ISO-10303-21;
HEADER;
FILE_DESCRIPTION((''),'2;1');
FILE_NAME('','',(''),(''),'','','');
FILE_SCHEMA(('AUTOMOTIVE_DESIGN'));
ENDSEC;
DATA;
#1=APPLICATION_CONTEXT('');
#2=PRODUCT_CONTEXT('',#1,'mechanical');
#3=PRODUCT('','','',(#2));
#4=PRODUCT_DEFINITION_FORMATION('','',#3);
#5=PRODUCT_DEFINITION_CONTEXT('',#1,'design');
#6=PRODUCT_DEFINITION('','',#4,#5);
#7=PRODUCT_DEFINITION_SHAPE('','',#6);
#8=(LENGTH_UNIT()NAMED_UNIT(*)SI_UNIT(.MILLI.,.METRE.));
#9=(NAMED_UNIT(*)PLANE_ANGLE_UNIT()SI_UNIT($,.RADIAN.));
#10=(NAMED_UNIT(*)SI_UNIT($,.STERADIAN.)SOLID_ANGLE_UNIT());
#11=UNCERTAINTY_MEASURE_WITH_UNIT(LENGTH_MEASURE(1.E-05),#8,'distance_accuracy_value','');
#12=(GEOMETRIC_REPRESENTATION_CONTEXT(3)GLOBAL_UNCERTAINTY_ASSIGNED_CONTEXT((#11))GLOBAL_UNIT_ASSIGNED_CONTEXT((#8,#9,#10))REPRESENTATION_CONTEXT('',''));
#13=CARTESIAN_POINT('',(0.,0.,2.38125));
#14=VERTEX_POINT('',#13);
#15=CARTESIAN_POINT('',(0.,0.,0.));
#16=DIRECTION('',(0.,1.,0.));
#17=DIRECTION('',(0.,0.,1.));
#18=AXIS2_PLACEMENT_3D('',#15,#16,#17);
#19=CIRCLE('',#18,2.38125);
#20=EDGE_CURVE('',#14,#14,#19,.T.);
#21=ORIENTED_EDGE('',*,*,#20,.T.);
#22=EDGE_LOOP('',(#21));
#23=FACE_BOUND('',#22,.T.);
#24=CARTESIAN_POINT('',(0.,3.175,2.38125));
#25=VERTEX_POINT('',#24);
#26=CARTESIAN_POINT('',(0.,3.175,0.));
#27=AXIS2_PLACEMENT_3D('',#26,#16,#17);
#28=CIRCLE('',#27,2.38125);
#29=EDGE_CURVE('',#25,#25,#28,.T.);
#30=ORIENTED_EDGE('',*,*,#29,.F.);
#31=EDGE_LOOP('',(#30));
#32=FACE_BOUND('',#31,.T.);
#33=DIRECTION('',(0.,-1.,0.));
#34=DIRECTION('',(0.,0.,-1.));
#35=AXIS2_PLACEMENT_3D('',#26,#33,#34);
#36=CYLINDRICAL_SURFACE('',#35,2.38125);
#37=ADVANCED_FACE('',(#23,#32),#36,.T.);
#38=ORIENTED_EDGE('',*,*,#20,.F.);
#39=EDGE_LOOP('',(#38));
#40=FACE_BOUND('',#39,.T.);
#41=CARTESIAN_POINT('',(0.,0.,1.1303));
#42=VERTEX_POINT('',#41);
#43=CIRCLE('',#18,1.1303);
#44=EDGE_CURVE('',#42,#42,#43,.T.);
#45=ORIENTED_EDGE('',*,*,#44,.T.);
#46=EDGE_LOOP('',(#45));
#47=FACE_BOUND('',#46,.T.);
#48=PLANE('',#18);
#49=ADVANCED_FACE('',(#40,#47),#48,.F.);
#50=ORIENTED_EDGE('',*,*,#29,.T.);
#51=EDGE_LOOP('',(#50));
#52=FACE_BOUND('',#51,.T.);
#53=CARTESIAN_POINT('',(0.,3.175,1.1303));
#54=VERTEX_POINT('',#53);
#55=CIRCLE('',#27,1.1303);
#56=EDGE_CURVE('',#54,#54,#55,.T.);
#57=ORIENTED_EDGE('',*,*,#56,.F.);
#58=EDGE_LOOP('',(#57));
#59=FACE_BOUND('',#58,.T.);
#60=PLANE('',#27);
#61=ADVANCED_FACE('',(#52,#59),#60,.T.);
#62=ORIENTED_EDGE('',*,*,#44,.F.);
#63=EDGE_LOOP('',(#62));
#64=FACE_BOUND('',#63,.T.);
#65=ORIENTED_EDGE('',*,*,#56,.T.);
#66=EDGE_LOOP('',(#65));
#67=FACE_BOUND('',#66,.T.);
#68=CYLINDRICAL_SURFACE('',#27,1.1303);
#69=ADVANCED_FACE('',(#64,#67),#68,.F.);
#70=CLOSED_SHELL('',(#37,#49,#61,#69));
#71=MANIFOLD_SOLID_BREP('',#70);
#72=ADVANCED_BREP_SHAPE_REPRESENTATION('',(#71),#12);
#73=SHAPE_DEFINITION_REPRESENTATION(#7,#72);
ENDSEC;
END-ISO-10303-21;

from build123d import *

# Parameters (mm, degrees)
SKETCH1_R                     = 2.38125
BOSS_EXTRUDE1_DEPTH           = 3.175
TAP_DRILL_FOR_4_40_TAP1_D     = 2.2606
TAP_DRILL_FOR_4_40_TAP1_DEPTH = 3.302
TAP_DRILL_FOR_4_40_TAP1_TIP   = 0.679152758


with BuildPart() as part:
    # Sketch1 → Boss-Extrude1 (new body)
    with BuildSketch(Plane(origin=(0, 0, 0), x_dir=(1, 0, 0), z_dir=(0, 1, 0))):
        Circle(SKETCH1_R)
    extrude(amount=BOSS_EXTRUDE1_DEPTH)

    # Tap Drill for #4-40 Tap1
    with Locations(Plane(origin=(0, 3.175, 0), x_dir=(-1, 0, 0), z_dir=(0, 1, 0))):
        with Locations((0, 0)):
            Hole(TAP_DRILL_FOR_4_40_TAP1_D / 2, depth=TAP_DRILL_FOR_4_40_TAP1_DEPTH)
            with Locations((0, 0, -(TAP_DRILL_FOR_4_40_TAP1_DEPTH + TAP_DRILL_FOR_4_40_TAP1_TIP / 2))):  # 118° drill point
                Cone(0, TAP_DRILL_FOR_4_40_TAP1_D / 2, TAP_DRILL_FOR_4_40_TAP1_TIP, mode=Mode.SUBTRACT)


solid = part.part
